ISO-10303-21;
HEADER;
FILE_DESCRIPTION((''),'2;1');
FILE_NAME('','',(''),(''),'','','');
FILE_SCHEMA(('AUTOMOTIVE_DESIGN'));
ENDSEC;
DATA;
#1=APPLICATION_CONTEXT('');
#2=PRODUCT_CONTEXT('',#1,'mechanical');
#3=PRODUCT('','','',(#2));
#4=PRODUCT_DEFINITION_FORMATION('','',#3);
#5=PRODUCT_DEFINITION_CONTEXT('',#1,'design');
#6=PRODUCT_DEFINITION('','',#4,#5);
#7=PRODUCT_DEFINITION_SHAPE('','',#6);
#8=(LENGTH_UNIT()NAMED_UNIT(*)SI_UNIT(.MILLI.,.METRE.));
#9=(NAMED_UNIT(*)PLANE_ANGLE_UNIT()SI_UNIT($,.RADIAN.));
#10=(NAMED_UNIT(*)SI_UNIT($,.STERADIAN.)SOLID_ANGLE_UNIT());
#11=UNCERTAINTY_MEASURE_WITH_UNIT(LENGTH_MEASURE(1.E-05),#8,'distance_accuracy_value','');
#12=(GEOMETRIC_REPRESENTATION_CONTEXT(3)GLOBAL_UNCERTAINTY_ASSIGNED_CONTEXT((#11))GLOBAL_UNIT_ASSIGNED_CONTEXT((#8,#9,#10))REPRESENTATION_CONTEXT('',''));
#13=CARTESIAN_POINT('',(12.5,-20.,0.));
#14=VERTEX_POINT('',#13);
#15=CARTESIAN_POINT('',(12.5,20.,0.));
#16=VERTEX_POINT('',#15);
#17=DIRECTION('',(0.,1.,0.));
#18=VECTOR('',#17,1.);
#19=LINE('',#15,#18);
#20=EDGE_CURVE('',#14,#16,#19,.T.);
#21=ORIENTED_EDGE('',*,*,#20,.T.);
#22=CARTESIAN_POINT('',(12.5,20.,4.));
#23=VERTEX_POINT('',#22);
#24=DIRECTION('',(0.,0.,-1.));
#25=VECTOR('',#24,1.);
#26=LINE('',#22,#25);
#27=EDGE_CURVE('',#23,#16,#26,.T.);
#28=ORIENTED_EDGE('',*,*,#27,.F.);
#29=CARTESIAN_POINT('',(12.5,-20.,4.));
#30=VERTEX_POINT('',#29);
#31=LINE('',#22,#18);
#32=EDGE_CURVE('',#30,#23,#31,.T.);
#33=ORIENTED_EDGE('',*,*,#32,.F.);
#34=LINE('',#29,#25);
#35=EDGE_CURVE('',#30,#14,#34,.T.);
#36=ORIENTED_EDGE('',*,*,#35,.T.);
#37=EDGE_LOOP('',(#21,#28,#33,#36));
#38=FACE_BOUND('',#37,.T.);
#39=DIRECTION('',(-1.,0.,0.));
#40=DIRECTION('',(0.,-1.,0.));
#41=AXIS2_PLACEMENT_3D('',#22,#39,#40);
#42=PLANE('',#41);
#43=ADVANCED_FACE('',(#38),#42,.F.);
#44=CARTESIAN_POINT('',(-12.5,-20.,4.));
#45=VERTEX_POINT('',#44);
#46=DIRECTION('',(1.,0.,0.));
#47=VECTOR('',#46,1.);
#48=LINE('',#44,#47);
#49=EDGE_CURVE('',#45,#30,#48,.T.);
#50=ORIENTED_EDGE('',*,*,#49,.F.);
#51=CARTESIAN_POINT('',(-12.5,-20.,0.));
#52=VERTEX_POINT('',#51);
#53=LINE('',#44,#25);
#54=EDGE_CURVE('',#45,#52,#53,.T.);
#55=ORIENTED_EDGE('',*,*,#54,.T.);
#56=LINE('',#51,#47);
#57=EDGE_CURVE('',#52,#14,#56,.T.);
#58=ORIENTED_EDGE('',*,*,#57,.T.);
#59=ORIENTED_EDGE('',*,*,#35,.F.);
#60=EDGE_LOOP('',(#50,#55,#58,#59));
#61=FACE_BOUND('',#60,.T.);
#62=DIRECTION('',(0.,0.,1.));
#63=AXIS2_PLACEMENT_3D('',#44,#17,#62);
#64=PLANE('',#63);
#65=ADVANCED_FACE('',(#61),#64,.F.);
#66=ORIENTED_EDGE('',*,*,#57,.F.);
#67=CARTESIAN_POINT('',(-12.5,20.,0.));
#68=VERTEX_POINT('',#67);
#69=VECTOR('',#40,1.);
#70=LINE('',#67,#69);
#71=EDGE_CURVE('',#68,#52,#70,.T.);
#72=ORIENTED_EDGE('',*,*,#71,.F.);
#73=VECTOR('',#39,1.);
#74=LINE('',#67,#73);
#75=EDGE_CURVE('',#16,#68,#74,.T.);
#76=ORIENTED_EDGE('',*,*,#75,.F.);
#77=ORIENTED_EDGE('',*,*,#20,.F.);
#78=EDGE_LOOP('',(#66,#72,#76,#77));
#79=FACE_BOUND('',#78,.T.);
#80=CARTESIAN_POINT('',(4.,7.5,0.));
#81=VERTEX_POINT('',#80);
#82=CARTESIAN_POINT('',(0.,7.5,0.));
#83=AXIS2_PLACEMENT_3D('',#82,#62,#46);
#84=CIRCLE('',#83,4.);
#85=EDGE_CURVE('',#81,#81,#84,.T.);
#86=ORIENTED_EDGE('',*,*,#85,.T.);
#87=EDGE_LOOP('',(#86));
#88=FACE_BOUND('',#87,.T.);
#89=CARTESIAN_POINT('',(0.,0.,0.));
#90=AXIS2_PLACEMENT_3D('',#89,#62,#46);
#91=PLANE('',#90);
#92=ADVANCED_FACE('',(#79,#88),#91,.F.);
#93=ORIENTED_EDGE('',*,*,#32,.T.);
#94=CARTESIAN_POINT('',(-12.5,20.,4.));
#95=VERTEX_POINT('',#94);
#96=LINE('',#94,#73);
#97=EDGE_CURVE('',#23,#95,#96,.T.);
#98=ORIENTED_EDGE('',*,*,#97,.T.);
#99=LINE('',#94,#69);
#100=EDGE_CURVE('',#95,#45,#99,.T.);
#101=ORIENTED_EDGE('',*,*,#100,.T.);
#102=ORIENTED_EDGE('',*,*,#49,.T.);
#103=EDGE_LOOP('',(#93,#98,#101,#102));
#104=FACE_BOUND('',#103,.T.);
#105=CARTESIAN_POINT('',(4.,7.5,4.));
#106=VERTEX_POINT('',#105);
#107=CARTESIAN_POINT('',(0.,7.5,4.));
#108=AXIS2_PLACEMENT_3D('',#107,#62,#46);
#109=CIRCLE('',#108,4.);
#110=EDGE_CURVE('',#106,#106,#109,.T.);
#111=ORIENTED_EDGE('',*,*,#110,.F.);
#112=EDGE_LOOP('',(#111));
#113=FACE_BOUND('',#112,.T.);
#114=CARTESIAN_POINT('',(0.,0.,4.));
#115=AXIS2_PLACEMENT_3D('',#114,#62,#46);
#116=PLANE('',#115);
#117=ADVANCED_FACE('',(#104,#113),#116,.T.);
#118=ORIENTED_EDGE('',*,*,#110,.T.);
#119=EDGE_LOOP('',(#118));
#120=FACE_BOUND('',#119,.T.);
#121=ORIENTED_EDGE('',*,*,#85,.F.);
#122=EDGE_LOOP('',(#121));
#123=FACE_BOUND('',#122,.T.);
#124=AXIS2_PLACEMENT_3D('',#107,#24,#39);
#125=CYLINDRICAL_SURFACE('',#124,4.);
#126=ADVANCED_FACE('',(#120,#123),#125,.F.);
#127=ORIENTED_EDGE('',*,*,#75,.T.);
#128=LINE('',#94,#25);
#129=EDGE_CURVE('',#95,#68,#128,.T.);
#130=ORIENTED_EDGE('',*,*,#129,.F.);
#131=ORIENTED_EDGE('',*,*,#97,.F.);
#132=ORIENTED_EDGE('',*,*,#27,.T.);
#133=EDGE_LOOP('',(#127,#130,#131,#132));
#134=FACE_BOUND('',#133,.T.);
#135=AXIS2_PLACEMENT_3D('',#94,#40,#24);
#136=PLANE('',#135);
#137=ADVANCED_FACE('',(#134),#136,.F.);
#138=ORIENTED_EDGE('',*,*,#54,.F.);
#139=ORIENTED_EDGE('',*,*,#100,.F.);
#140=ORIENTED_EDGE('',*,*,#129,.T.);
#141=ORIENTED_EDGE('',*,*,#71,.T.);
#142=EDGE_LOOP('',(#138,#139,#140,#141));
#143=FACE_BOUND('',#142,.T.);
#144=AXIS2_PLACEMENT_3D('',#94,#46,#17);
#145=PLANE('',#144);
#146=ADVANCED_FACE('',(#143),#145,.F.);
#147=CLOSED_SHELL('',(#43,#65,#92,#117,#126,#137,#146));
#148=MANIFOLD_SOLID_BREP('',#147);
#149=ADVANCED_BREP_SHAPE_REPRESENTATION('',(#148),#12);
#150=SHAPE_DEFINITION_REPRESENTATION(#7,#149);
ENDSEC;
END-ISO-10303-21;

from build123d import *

# Parameters (mm, degrees)
SKETCH3_W           = 25
SKETCH3_H           = 40
SKETCH3_R           = 4
BOSS_EXTRUDE1_DEPTH = 4


with BuildPart() as part:
    # Sketch3 → Boss-Extrude1 (new body)
    with BuildSketch(Plane.XY):
        Rectangle(SKETCH3_W, SKETCH3_H)
        with Locations((0, 7.5)):
            Circle(SKETCH3_R, mode=Mode.SUBTRACT)
    extrude(amount=BOSS_EXTRUDE1_DEPTH)


solid = part.part
